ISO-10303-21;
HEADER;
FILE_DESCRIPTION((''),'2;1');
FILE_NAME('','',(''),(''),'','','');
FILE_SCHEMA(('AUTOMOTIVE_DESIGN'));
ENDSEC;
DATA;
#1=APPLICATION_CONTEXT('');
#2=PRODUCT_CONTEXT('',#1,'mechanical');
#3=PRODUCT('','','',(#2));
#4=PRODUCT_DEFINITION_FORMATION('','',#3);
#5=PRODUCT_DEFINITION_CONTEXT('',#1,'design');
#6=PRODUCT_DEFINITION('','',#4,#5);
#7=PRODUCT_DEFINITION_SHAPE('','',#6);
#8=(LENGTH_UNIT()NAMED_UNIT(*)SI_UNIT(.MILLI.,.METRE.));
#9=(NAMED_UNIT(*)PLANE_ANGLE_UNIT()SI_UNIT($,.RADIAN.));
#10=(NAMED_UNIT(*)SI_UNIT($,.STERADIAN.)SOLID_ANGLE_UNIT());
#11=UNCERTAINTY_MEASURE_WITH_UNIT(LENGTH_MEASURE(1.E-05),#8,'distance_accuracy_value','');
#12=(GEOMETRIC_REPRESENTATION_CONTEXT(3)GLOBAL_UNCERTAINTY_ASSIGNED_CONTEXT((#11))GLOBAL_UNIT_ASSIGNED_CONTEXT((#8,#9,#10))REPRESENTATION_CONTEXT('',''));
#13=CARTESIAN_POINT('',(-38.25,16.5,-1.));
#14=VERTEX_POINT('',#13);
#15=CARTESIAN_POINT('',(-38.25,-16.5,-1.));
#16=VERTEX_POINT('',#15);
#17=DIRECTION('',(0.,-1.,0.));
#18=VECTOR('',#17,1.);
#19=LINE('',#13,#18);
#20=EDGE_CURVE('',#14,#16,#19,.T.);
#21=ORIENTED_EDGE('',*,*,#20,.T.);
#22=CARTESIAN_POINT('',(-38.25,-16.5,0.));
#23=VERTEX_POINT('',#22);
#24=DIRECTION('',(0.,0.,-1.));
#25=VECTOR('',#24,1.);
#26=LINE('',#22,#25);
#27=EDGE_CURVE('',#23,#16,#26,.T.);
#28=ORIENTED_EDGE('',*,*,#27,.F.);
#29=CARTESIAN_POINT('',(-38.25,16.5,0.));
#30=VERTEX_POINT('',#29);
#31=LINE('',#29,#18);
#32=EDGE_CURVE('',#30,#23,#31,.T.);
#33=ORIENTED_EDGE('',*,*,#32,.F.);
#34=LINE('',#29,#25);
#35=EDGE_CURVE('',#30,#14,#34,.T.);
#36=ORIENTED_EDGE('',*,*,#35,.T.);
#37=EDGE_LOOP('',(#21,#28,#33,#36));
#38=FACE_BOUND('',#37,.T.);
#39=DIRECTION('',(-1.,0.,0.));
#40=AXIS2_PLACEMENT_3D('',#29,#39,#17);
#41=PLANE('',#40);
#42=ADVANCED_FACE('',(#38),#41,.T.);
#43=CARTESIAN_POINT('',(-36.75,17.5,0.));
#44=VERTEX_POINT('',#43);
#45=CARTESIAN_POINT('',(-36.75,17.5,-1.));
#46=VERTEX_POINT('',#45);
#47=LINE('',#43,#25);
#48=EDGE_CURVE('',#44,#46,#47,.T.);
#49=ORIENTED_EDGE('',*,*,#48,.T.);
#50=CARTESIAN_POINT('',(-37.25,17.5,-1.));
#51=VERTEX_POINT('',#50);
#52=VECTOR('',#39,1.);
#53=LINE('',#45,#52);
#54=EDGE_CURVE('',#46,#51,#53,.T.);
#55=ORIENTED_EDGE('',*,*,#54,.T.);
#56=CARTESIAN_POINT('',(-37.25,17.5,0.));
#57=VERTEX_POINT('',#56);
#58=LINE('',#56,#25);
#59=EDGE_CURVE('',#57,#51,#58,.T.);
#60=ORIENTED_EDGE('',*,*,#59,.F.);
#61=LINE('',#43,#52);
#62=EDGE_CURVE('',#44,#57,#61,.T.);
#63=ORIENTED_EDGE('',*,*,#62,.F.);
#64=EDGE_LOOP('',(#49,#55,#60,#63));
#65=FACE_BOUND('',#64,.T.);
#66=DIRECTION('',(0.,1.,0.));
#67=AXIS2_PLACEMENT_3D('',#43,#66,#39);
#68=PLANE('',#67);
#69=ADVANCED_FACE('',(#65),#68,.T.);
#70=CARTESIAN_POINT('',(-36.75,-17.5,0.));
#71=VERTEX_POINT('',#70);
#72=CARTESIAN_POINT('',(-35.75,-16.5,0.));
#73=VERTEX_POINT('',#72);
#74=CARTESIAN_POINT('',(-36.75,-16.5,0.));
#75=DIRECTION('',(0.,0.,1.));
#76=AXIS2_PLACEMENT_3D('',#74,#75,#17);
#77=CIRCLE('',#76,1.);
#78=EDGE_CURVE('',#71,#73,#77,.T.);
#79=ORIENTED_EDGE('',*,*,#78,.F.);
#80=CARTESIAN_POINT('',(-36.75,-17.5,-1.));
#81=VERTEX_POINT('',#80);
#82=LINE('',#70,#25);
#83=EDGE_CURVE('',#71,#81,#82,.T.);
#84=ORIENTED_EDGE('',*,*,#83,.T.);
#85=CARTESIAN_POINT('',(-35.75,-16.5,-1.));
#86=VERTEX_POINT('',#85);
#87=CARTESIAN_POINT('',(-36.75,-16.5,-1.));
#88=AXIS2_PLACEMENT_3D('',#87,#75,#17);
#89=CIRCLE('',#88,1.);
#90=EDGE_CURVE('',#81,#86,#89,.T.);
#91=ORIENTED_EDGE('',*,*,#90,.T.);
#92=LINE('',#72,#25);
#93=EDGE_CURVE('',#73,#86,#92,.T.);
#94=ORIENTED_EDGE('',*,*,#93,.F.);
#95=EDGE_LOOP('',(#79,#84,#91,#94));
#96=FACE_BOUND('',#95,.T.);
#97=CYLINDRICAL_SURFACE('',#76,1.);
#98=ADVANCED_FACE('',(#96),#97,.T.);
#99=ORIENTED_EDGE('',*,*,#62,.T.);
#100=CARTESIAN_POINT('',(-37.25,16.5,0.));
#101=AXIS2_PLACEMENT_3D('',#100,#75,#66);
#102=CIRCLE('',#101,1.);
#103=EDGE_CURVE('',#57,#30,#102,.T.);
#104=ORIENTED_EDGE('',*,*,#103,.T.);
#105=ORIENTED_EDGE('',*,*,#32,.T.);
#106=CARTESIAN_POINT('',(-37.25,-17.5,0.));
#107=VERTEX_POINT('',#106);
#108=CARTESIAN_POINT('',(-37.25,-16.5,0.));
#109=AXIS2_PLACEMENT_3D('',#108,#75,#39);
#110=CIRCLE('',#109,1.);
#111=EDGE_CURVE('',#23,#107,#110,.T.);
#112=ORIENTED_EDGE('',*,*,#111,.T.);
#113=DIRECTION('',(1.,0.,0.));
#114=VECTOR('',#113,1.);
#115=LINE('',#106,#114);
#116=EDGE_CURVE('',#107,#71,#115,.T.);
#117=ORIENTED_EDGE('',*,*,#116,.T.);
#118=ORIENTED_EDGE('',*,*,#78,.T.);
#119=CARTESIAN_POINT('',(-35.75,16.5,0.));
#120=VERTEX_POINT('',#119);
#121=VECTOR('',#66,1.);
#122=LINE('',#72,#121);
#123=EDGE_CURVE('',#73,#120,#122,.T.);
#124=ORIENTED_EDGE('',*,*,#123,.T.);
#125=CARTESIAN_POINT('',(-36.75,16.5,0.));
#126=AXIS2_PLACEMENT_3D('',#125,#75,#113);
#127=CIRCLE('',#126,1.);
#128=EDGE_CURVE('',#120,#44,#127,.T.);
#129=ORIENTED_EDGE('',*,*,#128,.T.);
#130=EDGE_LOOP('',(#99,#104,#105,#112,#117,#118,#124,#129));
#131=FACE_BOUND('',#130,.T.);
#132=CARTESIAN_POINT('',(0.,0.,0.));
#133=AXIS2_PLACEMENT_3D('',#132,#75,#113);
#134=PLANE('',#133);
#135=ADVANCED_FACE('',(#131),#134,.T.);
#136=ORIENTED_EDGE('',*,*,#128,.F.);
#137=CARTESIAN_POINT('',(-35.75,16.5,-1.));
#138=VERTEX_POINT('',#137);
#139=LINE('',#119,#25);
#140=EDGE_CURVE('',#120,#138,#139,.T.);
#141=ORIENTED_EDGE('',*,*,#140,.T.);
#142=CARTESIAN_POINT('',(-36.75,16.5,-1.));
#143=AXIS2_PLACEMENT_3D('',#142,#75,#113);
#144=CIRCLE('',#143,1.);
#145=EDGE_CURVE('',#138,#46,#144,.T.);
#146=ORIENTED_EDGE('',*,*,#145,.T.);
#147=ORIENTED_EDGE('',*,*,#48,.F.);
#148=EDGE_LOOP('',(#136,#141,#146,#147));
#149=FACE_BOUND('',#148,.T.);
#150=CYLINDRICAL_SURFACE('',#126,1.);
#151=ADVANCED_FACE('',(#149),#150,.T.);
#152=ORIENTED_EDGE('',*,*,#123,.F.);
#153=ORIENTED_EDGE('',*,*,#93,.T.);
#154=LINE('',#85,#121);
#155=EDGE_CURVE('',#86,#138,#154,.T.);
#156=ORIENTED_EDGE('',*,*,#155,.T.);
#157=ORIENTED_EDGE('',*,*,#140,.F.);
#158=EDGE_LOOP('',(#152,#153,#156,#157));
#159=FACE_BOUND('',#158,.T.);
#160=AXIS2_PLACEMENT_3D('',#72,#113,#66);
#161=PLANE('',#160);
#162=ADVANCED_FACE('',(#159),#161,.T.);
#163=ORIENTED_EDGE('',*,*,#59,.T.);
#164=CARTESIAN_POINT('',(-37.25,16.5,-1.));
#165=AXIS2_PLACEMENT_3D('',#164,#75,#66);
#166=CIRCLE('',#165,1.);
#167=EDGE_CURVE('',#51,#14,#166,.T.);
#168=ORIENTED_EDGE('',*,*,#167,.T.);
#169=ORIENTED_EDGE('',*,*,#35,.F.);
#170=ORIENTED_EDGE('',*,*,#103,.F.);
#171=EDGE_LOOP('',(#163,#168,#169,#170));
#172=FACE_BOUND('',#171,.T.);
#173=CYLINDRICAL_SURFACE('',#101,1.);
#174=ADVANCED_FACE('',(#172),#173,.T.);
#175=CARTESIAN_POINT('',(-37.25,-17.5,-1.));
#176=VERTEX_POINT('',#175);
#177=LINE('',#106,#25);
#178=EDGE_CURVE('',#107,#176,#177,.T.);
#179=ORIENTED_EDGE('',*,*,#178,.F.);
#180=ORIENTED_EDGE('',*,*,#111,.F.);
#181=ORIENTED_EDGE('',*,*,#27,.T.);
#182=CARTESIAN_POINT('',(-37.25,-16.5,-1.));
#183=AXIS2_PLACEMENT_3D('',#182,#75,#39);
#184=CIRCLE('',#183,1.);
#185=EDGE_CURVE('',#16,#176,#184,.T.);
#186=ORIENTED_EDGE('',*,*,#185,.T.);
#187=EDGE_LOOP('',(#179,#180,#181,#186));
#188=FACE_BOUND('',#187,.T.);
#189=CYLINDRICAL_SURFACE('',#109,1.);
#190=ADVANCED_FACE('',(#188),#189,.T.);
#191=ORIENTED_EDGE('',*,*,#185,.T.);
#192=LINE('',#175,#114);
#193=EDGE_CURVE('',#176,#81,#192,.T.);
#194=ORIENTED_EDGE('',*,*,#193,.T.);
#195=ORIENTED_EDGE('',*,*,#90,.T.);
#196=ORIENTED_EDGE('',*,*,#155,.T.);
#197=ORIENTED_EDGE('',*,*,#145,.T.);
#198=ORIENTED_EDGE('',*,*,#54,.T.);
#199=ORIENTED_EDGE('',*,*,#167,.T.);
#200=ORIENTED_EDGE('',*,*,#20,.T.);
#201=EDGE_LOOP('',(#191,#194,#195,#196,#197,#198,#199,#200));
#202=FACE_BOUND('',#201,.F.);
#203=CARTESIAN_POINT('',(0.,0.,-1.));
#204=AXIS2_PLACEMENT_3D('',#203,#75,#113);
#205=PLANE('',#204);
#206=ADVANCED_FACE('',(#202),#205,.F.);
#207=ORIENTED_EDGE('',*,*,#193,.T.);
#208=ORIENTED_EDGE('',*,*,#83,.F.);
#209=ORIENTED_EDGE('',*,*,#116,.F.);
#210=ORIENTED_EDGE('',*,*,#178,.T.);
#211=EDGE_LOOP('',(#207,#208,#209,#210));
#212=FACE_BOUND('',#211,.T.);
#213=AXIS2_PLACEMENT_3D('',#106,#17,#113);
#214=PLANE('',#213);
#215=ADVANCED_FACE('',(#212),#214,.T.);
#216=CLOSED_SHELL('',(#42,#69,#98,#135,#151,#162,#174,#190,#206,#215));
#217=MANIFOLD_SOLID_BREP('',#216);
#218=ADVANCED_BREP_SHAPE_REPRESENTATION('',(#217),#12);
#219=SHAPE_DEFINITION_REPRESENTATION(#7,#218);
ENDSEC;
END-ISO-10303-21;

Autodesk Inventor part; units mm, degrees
ref_plane "YZ Plane" through (0, 0, 0) normal (1, 0, 0) x (0, 1, 0)
ref_plane "Work Plane1" through (0, 0, 0) normal (0, 0, 1) x (1, 0, 0)
sketch "Sketch1" plane through (0, 0, 0) normal (0, 0, 1) x (1, 0, 0)
  line L0 (-60, 40) -> (60, 40) projected
  line L1 (-60, -40) -> (-60, 40) projected
  line L2 (-60, -40) -> (60, -40) projected
  line L3 (60, 40) -> (60, -40) projected
  circle A0 centre (-46, -15) radius 2 projected
  circle A1 centre (-46, 15) radius 2 projected
  circle A2 centre (-46, 5) radius 2 projected
  circle A3 centre (-46, -5) radius 2 projected
  circle A4 centre (-3, 0) radius 24 projected
  line L4 (-38.25, 16.5) -> (-38.25, -16.5) projected
  arc A5 (-37.25, 17.5) -> (-38.25, 16.5) centre (-37.25, 16.5) ccw projected
  line L5 (-36.75, 17.5) -> (-37.25, 17.5) projected
  arc A6 (-35.75, 16.5) -> (-36.75, 17.5) centre (-36.75, 16.5) ccw projected
  line L6 (-35.75, -16.5) -> (-35.75, 16.5) projected
  arc A7 (-36.75, -17.5) -> (-35.75, -16.5) centre (-36.75, -16.5) ccw projected
  line L7 (-37.25, -17.5) -> (-36.75, -17.5) projected
  arc A8 (-38.25, -16.5) -> (-37.25, -17.5) centre (-37.25, -16.5) ccw projected
  arc A9 (47, 6.4964) -> (46.6925, 7.2389) centre (45.95, 6.4964) ccw projected
  line L8 (47, 1.3036) -> (47, 6.4964) projected
  arc A10 (46.6925, 0.5611) -> (47, 1.3036) centre (45.95, 1.3036) ccw projected
  line L9 (46.0889, -0.0425) -> (46.6925, 0.5611) projected
  arc A11 (45.3464, -0.35) -> (46.0889, -0.0425) centre (45.3464, 0.7) ccw projected
  line L10 (44.6, -0.35) -> (45.3464, -0.35) projected
  arc A12 (43.55, 0.7) -> (44.6, -0.35) centre (44.6, 0.7) ccw projected
  line L11 (43.55, 7.1) -> (43.55, 0.7) projected
  arc A13 (44.6, 8.15) -> (43.55, 7.1) centre (44.6, 7.1) ccw projected
  line L12 (45.3464, 8.15) -> (44.6, 8.15) projected
  arc A14 (46.0889, 7.8425) -> (45.3464, 8.15) centre (45.3464, 7.1) ccw projected
  line L13 (46.6925, 7.2389) -> (46.0889, 7.8425) projected
  arc A15 (46.0889, 20.4425) -> (45.3464, 20.75) centre (45.3464, 19.7) ccw projected
  line L14 (46.6925, 19.8389) -> (46.0889, 20.4425) projected
  arc A16 (47, 19.0964) -> (46.6925, 19.8389) centre (45.95, 19.0964) ccw projected
  line L15 (47, 13.9036) -> (47, 19.0964) projected
  arc A17 (46.6925, 13.1611) -> (47, 13.9036) centre (45.95, 13.9036) ccw projected
  line L16 (46.0889, 12.5575) -> (46.6925, 13.1611) projected
  arc A18 (45.3464, 12.25) -> (46.0889, 12.5575) centre (45.3464, 13.3) ccw projected
  line L17 (44.6, 12.25) -> (45.3464, 12.25) projected
  arc A19 (43.55, 13.3) -> (44.6, 12.25) centre (44.6, 13.3) ccw projected
  line L18 (43.55, 19.7) -> (43.55, 13.3) projected
  arc A20 (44.6, 20.75) -> (43.55, 19.7) centre (44.6, 19.7) ccw projected
  line L19 (45.3464, 20.75) -> (44.6, 20.75) projected
  arc A21 (44.9066, -31.2) -> (45.7117, -30.824) centre (44.9066, -30.15) ccw projected
  line L20 (43.6, -31.2) -> (44.9066, -31.2) projected
  arc A22 (42.55, -30.15) -> (43.6, -31.2) centre (43.6, -30.15) ccw projected
  line L21 (42.55, -20.05) -> (42.55, -30.15) projected
  arc A23 (43.6, -19) -> (42.55, -20.05) centre (43.6, -20.05) ccw projected
  line L22 (44.9066, -19) -> (43.6, -19) projected
  arc A24 (45.7117, -19.376) -> (44.9066, -19) centre (44.9066, -20.05) ccw projected
  line L23 (46.5051, -20.3236) -> (45.7117, -19.376) projected
  arc A25 (46.75, -20.9977) -> (46.5051, -20.3236) centre (45.7, -20.9977) ccw projected
  line L24 (46.75, -29.2023) -> (46.75, -20.9977) projected
  arc A26 (46.5051, -29.8764) -> (46.75, -29.2023) centre (45.7, -29.2023) ccw projected
  line L25 (45.7117, -30.824) -> (46.5051, -29.8764) projected
  point P0 (0, 0)
ref_plane "Work Plane2" through (-58, -38, -1) normal (0, 0, -1) x (0, 1, 0)
extrude "Extrusion1" add sketch "Sketch1" against normal up to surface (1 mm away) contours A5 L5 A6 L6 A7 L7 A8 L4
properties part number "Microphone_hole_plug"
